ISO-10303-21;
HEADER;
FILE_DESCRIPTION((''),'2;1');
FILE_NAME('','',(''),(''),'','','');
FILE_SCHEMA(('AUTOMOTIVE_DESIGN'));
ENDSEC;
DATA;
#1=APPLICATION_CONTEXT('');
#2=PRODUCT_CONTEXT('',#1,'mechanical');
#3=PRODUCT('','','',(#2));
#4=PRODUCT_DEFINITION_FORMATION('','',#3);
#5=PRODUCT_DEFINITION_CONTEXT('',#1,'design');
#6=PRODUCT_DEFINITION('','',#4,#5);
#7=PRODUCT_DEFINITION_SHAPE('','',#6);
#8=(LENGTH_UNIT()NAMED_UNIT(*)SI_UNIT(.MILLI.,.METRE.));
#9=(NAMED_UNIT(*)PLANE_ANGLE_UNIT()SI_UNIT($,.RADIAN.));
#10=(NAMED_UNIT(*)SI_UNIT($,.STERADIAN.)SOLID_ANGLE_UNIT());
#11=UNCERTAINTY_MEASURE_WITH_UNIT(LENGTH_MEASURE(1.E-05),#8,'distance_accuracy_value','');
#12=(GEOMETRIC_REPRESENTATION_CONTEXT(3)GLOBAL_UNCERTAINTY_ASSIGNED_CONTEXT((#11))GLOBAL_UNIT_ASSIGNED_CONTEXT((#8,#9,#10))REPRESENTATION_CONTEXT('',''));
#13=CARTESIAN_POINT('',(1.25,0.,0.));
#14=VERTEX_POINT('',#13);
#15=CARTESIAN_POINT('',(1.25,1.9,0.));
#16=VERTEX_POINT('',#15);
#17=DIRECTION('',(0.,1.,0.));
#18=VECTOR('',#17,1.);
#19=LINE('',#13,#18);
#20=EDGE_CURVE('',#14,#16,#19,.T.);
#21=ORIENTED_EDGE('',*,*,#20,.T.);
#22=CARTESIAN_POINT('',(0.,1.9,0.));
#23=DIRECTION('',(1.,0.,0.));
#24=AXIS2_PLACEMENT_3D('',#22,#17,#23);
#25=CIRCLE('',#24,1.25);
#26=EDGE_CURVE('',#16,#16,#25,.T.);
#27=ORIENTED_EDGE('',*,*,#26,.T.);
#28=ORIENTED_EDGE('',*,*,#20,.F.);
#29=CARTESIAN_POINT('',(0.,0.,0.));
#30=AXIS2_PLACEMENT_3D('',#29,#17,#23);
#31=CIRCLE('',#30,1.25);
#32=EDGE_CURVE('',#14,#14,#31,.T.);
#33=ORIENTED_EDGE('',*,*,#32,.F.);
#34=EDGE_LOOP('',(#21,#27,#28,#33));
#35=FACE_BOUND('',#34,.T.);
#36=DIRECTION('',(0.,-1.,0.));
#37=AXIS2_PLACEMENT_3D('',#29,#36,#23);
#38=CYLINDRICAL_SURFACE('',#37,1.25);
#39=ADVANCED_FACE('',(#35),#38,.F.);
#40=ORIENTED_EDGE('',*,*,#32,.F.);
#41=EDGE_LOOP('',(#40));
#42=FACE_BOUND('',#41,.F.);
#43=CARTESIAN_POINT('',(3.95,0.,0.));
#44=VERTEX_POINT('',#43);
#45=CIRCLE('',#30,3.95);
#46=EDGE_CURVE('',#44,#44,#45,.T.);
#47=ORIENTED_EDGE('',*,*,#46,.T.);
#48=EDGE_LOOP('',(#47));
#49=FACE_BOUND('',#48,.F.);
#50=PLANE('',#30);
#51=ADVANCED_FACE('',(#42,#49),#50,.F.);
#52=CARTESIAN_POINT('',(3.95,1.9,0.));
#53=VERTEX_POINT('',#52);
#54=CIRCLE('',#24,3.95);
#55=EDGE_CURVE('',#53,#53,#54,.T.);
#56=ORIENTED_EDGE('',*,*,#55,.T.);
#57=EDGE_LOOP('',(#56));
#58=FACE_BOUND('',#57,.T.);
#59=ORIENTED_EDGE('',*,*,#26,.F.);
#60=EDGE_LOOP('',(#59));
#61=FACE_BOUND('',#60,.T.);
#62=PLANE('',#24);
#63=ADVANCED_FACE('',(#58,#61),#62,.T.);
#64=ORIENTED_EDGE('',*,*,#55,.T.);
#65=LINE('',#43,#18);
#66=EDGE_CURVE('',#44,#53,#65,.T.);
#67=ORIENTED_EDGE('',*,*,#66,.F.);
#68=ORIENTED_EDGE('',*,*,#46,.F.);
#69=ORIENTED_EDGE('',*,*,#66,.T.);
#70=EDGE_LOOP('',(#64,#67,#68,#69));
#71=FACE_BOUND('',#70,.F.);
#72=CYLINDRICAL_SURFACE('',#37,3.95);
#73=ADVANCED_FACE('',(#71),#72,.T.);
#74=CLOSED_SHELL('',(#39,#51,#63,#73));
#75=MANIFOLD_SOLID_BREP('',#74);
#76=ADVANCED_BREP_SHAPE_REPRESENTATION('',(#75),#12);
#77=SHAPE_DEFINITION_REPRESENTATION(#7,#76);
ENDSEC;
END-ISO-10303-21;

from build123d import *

# Parameters (mm, degrees)
SKETCH1_R           = 3.95
SKETCH1_R_2         = 1.25
BOSS_EXTRUDE1_DEPTH = 1.9


with BuildPart() as part:
    # Sketch1 → Boss-Extrude1 (new body)
    with BuildSketch(Plane(origin=(0, 0, 0), x_dir=(1, 0, 0), z_dir=(0, 1, 0))):
        Circle(SKETCH1_R)
        Circle(SKETCH1_R_2, mode=Mode.SUBTRACT)
    extrude(amount=BOSS_EXTRUDE1_DEPTH)


solid = part.part
